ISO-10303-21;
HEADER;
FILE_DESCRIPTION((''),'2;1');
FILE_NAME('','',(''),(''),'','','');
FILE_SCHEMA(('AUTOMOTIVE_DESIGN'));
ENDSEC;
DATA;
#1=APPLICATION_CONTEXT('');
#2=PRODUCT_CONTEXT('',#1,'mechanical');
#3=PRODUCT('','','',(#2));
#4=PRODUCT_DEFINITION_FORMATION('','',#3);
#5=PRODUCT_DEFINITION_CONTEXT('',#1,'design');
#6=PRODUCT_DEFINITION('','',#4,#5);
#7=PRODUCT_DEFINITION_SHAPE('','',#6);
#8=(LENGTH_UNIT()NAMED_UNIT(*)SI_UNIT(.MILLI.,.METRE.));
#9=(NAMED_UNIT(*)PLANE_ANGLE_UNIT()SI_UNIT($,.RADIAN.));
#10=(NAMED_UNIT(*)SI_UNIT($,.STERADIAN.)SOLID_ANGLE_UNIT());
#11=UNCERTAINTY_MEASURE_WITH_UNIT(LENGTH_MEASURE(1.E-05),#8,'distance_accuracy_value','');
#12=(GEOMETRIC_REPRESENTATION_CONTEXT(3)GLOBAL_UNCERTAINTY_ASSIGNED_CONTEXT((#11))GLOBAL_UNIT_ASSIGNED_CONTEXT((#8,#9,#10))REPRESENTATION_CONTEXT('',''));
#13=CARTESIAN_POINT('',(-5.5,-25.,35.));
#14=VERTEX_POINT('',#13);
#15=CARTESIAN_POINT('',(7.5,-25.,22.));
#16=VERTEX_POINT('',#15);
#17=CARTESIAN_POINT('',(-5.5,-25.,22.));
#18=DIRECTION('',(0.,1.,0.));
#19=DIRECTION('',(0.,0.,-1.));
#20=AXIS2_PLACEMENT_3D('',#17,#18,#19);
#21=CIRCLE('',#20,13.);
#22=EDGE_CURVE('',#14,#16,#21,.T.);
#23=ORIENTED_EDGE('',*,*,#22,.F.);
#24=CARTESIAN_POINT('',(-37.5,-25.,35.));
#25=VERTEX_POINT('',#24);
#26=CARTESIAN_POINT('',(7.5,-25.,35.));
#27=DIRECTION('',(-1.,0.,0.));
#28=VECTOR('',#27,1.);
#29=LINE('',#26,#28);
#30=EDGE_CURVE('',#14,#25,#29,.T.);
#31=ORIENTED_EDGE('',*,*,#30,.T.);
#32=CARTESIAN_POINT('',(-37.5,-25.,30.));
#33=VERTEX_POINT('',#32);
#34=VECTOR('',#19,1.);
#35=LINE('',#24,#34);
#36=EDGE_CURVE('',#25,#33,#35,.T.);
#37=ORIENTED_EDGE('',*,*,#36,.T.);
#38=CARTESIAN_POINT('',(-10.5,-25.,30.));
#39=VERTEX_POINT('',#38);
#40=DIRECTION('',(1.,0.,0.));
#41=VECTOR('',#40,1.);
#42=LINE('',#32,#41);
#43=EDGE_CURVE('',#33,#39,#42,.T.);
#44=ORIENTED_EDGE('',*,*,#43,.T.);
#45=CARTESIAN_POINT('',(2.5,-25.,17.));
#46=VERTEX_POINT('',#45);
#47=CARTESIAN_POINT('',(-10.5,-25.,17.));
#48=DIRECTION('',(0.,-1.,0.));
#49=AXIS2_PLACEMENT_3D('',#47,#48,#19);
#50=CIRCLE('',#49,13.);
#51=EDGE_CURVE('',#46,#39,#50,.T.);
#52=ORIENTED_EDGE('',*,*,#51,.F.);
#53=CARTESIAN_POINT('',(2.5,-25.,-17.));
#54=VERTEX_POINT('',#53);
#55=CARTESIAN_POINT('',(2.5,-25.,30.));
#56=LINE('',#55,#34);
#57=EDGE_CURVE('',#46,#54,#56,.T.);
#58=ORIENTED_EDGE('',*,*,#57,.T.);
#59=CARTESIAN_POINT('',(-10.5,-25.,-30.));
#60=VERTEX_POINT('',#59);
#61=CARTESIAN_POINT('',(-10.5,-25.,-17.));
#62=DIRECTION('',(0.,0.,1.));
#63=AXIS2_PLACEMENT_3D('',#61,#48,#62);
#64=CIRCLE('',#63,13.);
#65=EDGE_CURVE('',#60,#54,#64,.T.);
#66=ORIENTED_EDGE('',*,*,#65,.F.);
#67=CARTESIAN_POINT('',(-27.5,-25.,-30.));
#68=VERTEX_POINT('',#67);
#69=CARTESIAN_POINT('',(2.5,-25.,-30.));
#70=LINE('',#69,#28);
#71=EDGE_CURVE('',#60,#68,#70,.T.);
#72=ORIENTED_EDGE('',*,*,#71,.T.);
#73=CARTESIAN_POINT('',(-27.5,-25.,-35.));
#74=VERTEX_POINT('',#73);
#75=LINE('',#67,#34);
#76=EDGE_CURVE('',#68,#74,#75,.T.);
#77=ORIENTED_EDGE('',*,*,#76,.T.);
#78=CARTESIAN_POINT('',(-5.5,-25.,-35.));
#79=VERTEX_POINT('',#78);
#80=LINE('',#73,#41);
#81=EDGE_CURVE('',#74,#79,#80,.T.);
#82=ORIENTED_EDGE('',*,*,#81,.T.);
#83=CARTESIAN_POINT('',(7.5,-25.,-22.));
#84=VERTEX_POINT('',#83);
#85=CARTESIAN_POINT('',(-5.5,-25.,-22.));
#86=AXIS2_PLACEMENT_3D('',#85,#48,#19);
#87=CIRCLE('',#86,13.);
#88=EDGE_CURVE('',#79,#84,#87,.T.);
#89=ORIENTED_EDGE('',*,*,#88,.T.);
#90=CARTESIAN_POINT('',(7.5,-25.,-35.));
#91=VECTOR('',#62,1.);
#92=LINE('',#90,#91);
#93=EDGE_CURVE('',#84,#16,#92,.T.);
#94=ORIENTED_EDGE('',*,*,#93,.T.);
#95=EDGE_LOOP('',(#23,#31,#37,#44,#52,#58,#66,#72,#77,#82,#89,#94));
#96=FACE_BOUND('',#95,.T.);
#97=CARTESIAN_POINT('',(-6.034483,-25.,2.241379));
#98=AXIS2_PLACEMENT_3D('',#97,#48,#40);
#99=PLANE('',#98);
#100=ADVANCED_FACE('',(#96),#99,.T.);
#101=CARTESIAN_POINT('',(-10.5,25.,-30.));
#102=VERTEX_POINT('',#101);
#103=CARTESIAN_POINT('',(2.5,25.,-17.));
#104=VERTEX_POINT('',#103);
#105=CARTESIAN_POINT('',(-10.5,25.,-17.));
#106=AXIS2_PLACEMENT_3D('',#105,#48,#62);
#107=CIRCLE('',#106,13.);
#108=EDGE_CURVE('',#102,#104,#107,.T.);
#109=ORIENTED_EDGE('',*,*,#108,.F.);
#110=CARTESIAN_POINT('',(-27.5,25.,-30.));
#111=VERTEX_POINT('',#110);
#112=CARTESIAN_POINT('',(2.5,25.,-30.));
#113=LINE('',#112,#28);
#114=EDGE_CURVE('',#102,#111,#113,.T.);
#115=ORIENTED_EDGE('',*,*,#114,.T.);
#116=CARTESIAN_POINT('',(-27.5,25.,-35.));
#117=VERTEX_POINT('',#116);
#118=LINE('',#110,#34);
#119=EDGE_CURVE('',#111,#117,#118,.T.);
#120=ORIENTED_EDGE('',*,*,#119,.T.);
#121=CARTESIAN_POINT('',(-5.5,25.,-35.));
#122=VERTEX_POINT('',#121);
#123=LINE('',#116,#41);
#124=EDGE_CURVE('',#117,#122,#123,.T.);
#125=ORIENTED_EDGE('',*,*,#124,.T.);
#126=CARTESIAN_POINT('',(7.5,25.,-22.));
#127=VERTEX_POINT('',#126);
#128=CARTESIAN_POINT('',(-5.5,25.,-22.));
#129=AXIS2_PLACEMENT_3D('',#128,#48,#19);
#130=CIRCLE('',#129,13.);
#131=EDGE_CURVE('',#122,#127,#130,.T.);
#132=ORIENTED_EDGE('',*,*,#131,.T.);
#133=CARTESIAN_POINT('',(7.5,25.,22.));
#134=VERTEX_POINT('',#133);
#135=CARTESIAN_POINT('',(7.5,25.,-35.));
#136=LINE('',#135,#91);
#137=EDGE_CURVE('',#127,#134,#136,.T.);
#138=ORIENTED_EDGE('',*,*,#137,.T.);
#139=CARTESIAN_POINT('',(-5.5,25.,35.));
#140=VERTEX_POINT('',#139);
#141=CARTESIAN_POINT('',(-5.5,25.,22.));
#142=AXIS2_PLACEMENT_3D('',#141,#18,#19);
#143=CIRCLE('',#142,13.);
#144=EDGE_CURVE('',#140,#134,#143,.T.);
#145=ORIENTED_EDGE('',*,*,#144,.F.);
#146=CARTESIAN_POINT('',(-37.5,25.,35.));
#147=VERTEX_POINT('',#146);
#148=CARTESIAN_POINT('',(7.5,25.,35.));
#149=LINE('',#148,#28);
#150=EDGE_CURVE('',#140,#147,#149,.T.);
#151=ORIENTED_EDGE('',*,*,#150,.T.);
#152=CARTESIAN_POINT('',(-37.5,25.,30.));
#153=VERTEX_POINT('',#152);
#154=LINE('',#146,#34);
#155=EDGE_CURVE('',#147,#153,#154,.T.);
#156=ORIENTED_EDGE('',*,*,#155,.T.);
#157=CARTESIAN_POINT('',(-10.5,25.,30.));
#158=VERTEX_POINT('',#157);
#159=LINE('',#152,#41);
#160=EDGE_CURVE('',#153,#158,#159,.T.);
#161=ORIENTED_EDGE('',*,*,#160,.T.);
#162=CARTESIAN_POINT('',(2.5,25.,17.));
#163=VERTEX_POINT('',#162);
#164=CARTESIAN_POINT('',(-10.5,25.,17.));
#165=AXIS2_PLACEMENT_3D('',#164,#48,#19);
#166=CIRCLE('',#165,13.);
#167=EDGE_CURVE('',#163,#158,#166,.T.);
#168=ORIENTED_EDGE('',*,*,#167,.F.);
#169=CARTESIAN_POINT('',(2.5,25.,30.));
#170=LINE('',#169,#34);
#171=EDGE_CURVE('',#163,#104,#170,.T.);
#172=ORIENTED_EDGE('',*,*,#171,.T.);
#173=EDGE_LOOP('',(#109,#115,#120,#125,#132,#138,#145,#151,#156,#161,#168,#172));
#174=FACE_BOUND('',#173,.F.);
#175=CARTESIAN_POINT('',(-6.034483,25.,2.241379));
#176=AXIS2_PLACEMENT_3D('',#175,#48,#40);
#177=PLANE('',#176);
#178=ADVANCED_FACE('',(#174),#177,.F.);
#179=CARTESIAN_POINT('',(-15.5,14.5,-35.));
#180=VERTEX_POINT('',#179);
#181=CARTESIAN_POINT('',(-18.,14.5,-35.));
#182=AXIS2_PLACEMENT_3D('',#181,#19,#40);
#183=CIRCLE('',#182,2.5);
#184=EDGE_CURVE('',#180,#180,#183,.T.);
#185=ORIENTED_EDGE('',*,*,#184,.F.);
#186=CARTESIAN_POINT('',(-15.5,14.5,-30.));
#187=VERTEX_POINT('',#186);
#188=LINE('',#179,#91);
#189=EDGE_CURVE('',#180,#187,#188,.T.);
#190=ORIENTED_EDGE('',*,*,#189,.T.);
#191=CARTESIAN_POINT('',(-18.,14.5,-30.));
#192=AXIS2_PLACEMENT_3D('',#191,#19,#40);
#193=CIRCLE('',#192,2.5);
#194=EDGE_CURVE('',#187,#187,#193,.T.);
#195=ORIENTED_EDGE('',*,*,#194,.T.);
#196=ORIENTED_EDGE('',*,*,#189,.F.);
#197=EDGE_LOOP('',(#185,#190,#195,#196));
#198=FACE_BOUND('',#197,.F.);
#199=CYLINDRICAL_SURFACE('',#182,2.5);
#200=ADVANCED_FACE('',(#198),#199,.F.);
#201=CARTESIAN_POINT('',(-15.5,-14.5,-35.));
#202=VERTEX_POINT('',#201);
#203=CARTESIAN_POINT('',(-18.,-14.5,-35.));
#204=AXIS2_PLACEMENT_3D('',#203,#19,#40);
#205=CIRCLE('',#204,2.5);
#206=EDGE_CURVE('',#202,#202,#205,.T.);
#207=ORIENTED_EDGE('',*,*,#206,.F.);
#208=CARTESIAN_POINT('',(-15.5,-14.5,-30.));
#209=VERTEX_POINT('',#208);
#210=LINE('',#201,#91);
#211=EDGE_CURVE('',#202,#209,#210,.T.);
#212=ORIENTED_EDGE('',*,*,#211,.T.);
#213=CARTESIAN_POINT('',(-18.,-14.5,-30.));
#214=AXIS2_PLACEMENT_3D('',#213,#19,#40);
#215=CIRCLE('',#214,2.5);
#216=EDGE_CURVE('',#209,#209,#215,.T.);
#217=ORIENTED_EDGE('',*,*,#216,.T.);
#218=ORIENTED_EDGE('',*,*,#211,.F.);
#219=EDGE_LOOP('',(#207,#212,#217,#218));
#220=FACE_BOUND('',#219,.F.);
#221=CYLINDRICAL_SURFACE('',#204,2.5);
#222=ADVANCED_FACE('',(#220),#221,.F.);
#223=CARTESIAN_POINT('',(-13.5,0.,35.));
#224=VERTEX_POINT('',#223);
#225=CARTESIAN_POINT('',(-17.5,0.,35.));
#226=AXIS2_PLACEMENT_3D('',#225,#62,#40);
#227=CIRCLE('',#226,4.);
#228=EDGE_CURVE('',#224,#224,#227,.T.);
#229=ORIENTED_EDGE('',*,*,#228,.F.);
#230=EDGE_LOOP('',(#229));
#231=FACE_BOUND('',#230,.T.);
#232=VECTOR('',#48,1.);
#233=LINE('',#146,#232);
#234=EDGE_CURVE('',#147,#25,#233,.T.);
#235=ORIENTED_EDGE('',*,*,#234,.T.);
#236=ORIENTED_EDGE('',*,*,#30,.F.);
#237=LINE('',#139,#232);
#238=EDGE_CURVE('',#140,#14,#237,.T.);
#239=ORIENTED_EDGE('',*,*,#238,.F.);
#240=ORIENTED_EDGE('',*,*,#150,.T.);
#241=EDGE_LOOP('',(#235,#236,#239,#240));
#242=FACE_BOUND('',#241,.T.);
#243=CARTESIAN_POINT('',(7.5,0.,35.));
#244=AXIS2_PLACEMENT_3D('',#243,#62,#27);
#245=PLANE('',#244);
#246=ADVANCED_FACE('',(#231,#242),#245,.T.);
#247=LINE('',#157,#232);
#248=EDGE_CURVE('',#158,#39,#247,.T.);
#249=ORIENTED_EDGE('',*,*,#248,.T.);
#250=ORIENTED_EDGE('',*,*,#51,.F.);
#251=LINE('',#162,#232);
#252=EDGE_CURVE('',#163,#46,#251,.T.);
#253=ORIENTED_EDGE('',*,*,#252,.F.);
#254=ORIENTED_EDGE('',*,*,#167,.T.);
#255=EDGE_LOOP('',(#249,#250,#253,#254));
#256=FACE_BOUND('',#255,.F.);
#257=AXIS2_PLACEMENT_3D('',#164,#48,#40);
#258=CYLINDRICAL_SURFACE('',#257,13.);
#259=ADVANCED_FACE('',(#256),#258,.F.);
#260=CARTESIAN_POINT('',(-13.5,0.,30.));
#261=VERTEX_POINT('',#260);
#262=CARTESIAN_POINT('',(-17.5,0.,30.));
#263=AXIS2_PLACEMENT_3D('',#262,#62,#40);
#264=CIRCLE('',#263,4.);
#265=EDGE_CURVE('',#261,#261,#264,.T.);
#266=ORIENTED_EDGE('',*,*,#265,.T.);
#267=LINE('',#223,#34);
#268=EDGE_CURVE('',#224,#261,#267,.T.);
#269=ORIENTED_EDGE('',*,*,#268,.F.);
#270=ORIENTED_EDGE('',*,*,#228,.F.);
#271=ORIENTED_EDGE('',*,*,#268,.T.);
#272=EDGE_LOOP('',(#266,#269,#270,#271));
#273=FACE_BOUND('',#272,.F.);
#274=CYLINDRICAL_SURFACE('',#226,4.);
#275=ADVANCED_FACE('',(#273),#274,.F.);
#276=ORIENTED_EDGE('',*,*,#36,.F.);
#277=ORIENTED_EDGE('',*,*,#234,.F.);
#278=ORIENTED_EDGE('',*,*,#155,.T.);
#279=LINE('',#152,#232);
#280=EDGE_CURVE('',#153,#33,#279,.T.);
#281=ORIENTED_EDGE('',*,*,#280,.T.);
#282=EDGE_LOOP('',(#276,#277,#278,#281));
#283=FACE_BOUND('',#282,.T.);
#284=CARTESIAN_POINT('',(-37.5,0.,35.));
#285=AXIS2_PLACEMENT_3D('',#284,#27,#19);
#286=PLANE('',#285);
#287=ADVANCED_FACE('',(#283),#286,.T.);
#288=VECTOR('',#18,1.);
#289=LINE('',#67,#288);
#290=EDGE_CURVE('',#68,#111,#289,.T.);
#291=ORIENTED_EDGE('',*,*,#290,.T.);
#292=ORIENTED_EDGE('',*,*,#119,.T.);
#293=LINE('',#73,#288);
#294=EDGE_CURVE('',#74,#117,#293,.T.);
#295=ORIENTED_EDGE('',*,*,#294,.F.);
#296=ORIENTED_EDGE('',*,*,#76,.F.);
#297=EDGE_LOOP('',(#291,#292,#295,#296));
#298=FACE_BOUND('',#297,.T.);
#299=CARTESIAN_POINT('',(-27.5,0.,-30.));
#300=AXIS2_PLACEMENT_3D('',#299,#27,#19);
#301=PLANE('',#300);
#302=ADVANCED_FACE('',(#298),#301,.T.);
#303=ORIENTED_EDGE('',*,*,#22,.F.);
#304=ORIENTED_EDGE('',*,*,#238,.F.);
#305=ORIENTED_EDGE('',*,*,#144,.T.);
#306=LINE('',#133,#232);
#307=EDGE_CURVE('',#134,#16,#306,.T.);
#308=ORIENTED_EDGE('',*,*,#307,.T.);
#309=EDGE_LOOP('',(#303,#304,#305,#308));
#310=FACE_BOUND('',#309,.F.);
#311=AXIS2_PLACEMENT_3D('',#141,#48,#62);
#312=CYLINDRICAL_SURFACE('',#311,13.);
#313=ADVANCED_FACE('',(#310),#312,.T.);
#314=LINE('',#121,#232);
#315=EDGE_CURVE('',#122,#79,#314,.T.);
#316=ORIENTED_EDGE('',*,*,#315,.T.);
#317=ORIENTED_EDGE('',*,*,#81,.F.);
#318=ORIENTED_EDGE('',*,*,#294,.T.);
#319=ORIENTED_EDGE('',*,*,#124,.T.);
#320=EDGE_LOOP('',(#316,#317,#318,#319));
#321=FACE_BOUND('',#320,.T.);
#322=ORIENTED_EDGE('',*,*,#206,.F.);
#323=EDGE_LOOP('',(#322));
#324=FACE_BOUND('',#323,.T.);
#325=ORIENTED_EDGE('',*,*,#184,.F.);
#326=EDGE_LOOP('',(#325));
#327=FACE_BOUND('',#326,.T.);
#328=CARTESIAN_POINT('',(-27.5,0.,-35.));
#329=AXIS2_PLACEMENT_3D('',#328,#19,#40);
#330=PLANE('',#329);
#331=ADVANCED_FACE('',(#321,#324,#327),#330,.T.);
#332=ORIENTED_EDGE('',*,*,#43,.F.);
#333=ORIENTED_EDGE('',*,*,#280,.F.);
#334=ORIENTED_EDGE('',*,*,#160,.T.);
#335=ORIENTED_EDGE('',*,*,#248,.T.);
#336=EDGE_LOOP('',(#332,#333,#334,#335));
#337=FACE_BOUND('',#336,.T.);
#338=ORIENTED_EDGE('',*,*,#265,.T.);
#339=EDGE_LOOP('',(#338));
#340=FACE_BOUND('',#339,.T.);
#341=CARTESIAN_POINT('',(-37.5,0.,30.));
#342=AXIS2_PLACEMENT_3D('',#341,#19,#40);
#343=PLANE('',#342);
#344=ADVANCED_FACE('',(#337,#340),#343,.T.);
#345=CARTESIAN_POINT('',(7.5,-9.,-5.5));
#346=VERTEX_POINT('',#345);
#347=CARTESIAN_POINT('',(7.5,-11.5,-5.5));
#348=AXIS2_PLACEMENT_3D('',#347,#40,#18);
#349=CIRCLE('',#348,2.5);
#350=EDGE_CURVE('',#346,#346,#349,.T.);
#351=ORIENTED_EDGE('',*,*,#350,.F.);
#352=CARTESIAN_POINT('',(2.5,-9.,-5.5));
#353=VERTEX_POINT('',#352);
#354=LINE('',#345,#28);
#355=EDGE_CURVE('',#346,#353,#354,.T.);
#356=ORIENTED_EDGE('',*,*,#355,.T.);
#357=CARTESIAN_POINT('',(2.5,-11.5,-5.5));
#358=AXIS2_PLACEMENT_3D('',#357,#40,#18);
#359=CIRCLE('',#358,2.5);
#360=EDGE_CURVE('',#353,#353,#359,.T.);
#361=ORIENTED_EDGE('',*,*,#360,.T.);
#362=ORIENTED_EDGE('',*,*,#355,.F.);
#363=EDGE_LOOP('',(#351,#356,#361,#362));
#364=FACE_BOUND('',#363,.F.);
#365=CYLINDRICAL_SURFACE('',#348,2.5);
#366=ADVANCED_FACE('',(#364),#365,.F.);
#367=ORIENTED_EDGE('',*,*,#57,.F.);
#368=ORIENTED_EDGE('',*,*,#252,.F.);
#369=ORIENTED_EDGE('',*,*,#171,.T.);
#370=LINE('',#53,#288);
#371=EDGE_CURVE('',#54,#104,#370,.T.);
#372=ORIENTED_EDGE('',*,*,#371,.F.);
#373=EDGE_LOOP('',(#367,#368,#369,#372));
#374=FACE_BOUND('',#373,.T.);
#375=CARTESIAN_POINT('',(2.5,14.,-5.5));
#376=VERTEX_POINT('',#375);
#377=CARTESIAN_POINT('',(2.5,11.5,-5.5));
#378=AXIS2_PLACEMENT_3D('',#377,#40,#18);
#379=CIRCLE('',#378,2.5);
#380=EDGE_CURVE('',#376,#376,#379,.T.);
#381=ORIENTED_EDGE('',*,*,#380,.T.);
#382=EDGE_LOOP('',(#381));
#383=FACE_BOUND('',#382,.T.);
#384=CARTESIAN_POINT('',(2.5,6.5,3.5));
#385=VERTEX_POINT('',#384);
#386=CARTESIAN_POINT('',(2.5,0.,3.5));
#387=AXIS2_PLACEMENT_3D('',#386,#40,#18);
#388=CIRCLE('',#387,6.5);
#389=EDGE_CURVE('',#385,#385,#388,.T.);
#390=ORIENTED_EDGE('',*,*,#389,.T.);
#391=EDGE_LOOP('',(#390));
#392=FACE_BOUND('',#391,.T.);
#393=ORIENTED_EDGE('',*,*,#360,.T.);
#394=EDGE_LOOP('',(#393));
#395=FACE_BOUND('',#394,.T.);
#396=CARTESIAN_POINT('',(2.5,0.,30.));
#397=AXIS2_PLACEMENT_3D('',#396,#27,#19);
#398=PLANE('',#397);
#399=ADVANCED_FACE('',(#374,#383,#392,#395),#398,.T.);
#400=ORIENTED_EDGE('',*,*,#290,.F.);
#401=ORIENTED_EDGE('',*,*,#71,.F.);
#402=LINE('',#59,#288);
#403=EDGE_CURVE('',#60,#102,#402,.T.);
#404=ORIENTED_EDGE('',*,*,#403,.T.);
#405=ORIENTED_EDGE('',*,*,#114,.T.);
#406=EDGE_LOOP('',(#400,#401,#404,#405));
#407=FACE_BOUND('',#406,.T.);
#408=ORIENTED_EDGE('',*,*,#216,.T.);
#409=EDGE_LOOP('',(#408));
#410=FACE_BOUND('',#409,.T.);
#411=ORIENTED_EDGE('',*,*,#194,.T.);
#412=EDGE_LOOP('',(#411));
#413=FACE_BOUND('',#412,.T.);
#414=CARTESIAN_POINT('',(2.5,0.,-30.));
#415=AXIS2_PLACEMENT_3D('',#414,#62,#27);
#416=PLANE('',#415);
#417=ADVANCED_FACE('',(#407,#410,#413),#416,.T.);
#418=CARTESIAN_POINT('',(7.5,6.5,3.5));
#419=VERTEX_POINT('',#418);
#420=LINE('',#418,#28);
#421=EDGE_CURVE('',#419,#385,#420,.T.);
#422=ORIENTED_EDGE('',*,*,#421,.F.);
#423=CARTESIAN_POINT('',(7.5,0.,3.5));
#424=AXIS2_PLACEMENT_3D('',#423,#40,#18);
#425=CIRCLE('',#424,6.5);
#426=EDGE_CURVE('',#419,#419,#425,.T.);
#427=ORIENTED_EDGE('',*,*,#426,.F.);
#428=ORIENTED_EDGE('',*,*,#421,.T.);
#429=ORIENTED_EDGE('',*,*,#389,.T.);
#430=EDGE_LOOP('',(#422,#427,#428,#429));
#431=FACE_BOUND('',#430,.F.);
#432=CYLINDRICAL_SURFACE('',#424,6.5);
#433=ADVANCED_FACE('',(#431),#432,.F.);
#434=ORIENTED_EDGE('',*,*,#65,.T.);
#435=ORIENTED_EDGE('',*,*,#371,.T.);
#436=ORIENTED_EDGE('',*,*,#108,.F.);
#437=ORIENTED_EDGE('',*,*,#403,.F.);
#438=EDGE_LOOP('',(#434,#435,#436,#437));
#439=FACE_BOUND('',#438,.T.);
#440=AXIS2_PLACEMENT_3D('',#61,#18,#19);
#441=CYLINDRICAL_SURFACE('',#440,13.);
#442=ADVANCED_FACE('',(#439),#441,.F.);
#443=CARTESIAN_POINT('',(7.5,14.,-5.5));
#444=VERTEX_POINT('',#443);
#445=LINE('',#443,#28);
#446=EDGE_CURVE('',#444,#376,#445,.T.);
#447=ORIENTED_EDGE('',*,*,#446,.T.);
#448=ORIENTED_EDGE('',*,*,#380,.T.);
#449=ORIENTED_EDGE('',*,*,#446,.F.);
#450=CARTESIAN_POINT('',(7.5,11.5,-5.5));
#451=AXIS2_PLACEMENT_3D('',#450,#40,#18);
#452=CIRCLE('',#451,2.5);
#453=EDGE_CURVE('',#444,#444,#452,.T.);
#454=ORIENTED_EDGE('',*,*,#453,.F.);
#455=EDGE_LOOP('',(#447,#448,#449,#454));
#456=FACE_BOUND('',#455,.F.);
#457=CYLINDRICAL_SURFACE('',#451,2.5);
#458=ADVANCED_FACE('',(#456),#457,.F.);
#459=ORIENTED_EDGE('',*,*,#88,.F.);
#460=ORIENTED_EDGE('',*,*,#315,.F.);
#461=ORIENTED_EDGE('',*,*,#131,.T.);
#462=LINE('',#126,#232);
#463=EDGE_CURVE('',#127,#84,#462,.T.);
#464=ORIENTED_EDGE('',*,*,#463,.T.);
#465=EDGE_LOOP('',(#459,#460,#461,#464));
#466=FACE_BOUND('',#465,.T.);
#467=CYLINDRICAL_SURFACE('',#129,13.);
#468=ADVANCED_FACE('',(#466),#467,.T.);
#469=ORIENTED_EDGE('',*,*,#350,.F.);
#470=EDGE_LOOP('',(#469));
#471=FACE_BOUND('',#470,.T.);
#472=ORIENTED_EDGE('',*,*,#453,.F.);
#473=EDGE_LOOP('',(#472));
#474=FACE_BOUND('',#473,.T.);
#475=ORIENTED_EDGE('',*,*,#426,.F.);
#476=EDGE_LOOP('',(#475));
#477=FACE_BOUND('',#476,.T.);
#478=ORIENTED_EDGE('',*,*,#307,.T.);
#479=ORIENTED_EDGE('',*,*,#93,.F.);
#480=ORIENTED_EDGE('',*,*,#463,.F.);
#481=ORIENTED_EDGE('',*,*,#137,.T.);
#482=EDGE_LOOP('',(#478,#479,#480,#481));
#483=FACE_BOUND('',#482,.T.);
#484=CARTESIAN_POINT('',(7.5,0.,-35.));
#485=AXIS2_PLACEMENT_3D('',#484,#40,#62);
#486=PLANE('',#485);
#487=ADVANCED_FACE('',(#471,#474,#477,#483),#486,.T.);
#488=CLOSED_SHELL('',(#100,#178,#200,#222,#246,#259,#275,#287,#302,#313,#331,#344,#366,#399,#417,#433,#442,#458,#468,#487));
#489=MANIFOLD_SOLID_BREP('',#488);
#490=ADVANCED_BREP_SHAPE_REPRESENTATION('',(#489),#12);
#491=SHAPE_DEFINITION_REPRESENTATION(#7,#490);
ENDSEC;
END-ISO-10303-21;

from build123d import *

# Parameters (mm, degrees)
F1_DEPTH      = 25
F1_DEPTH_BACK = 25
F2_R          = 13
F3_R          = 4
F4_DEPTH      = 10
F5_R          = 2.5
F6_DEPTH      = 10
F7_R          = 2.5
F7_R_2        = 6.5
F8_DEPTH      = 10


with BuildPart() as f1:
    # F0 (on Front) → F1 (new body, two sides)
    with BuildSketch(Plane.XZ) as f1_sk:
        Polygon((-27.5, -35), (7.5, -35), (7.5, 35), (-37.5, 35), (-37.5, 30), (2.5, 30), (2.5, -30), (-27.5, -30), align=None)
    extrude(amount=F1_DEPTH)
    extrude(f1_sk.sketch, amount=-F1_DEPTH_BACK)

    # F2
    f2_edges = [f1.edges().sort_by_distance(p)[0] for p in [
        (7.5, 0, 35),
        (7.5, 0, -35),
        (2.5, 0, -30),
        (2.5, 0, 30),
    ]]
    fillet(f2_edges, radius=F2_R)

    # F3 (on face) → F4 (cut)
    with BuildSketch(Plane.XY.offset(35)):
        with Locations((-17.5, 0)):
            Circle(F3_R)
    extrude(amount=-F4_DEPTH, mode=Mode.SUBTRACT)

    # F5 (on face) → F6 (cut)
    with BuildSketch(Plane(origin=(0, 0, -35), x_dir=(1, 0, 0), z_dir=(0, 0, -1))):
        with Locations((-18, -14.5)):
            Circle(F5_R)
        with Locations((-18, 14.5)):
            Circle(F5_R)
    extrude(amount=-F6_DEPTH, mode=Mode.SUBTRACT)

    # F7 (on face) → F8 (cut)
    with BuildSketch(Plane.YZ.offset(7.5)):
        with Locations((11.5, -5.5)):
            Circle(F7_R)
        with Locations((-11.5, -5.5)):
            Circle(F7_R)
        with Locations((0, 3.5)):
            Circle(F7_R_2)
    extrude(amount=-F8_DEPTH, mode=Mode.SUBTRACT)


solid = f1.part
